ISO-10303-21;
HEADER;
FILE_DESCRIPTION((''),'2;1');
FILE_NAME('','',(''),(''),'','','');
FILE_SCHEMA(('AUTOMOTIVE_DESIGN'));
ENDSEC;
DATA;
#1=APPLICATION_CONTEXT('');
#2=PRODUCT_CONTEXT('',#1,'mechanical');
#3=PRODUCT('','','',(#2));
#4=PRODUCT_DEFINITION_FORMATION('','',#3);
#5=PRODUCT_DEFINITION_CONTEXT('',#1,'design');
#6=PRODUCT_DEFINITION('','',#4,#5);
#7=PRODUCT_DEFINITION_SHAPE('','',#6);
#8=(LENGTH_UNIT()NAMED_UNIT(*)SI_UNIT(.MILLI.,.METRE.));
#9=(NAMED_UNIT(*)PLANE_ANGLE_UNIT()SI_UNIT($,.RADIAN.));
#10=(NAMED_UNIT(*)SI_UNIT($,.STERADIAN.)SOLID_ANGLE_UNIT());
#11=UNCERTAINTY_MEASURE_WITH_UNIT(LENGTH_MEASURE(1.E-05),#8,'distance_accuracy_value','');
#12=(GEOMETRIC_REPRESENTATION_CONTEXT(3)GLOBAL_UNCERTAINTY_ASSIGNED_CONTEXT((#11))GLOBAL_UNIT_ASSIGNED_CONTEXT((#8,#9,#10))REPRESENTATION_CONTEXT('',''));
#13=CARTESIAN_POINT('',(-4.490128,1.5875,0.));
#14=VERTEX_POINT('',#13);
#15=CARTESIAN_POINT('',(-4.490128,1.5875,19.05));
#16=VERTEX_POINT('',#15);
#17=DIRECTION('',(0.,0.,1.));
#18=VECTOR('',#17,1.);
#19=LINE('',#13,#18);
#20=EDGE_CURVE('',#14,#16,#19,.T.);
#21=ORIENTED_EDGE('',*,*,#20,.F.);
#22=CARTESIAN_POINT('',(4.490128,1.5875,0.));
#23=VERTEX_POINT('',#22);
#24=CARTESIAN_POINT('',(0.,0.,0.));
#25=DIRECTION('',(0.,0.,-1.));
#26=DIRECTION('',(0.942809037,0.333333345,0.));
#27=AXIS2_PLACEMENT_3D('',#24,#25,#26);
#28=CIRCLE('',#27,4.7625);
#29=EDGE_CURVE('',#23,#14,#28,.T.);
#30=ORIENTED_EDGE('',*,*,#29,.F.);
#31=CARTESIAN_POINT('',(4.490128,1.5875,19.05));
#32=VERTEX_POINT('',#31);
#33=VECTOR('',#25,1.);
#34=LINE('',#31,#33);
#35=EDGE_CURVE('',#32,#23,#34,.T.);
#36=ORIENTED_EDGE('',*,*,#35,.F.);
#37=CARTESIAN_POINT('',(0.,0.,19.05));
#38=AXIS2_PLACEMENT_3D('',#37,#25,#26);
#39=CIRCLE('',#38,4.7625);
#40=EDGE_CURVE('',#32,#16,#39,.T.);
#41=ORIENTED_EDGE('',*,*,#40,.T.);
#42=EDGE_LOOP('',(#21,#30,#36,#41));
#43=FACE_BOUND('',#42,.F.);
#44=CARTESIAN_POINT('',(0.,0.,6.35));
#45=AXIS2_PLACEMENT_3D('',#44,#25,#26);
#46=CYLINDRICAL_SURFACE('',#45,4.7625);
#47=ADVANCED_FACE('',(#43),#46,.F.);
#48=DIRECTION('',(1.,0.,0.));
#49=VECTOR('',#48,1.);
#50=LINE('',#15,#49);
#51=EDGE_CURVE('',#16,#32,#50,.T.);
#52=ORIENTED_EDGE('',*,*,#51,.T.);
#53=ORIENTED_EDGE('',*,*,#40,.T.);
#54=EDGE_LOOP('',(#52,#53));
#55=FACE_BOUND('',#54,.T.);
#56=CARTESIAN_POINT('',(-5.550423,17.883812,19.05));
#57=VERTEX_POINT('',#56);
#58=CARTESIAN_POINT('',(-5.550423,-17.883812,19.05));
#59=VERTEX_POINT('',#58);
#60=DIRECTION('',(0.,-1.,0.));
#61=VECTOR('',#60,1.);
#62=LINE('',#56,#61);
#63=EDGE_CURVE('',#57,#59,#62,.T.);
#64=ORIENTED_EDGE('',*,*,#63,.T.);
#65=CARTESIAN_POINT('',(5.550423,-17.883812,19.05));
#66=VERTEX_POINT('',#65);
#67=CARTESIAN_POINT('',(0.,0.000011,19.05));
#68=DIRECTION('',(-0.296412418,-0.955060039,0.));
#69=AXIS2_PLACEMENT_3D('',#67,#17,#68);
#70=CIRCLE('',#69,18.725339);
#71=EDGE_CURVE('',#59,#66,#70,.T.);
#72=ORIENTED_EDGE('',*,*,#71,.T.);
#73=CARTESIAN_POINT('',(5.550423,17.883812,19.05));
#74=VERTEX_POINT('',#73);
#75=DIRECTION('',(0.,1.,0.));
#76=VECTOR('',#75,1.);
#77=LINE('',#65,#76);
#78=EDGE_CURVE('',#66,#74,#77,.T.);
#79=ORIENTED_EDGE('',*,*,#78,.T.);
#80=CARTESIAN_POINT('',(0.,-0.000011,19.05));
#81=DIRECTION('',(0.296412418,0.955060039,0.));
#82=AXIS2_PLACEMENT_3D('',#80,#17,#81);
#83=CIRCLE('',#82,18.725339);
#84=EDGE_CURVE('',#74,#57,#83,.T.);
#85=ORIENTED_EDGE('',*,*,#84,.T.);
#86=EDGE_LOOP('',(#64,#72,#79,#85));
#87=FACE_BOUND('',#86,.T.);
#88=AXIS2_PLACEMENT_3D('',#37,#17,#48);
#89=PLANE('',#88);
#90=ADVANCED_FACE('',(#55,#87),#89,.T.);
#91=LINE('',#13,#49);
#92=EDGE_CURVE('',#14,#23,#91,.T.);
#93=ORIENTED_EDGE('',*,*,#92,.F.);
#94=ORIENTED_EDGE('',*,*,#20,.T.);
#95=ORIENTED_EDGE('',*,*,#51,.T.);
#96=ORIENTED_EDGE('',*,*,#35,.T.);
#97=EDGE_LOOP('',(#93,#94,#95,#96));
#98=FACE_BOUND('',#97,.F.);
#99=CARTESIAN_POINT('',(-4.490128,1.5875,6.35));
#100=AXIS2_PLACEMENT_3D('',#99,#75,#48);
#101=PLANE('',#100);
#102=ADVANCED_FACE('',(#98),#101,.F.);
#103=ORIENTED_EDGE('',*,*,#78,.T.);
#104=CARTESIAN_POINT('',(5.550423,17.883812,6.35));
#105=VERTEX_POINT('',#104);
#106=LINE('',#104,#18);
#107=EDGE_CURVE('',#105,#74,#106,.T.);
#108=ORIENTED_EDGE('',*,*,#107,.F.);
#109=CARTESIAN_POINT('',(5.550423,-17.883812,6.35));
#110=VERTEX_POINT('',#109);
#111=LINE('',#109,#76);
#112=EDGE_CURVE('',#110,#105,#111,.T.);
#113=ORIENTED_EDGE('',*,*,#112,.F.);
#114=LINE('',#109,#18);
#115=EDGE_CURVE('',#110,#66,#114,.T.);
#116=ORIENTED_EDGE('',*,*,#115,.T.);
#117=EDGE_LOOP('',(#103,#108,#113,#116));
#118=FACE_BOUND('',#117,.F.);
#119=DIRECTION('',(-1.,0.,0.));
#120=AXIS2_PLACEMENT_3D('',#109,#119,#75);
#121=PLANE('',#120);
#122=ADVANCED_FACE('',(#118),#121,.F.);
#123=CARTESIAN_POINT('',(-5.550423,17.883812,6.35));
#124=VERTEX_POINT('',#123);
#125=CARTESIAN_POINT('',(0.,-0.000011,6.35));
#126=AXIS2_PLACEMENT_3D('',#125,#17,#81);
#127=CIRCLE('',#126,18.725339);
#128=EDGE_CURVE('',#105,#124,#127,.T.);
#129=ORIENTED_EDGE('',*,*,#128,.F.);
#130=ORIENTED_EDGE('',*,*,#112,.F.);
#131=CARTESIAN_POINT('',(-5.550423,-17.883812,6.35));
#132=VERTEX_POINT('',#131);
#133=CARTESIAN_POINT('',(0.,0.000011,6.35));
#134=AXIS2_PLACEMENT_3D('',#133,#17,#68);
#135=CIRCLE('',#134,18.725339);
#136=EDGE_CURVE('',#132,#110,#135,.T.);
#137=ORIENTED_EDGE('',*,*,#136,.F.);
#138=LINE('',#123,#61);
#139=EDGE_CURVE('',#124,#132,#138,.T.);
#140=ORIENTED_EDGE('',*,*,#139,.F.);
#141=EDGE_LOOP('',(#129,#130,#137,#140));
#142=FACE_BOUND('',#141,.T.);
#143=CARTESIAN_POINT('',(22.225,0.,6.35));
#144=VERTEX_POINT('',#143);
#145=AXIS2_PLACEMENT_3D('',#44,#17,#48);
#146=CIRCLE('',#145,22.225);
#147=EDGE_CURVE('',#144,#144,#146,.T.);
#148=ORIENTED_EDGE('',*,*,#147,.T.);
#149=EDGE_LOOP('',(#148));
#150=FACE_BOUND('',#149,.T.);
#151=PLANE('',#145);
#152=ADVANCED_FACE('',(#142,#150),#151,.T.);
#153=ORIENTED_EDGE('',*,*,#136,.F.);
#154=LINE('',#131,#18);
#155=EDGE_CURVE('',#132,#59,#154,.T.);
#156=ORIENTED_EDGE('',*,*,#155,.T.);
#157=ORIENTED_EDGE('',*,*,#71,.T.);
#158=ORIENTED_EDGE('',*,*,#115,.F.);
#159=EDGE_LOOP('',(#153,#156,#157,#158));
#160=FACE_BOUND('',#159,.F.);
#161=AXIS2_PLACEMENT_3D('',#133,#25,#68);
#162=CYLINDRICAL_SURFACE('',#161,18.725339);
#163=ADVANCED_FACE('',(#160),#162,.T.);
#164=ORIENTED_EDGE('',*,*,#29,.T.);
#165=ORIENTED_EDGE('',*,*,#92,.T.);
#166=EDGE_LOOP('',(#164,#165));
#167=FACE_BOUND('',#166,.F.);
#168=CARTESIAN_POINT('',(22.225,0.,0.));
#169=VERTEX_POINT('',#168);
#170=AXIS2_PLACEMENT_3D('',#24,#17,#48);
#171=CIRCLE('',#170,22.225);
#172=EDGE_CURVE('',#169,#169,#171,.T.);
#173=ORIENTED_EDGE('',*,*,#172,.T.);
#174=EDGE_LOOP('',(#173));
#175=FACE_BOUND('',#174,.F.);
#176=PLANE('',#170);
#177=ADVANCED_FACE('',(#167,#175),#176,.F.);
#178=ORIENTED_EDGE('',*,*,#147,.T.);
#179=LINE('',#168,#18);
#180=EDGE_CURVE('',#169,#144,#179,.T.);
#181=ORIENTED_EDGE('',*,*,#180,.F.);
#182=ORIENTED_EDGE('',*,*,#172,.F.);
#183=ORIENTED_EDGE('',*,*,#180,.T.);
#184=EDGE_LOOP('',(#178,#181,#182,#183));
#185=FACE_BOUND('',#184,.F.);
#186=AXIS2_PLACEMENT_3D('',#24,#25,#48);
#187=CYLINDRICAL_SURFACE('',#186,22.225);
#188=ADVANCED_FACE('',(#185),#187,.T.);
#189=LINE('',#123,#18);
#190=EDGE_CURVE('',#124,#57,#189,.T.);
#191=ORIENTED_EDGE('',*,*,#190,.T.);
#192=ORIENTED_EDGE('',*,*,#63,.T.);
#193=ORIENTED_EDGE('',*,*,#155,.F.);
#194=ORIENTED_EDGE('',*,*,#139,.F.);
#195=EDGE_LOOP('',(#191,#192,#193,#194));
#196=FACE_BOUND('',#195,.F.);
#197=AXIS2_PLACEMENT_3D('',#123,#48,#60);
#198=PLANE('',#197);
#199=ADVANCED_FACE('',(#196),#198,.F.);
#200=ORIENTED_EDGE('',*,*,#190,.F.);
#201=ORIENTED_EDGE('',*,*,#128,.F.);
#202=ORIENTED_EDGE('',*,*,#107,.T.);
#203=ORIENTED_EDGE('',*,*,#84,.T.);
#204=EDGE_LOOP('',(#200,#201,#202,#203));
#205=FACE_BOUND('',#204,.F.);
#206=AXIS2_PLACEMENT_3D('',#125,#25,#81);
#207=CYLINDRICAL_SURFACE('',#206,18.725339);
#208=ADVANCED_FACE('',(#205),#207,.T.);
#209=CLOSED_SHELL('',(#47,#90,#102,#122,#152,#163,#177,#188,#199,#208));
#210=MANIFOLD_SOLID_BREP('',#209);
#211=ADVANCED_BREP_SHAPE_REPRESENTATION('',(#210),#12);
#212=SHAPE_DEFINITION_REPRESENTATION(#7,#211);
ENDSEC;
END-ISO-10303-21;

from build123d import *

# Parameters (mm, degrees)
F0_R     = 22.225
F1_DEPTH = 6.35
F3_DEPTH = 12.7


with BuildPart() as f1:
    # F0 (on Top) → F1 (new body)
    with BuildSketch(Plane.XY):
        Circle(F0_R)
        with BuildLine():
            ThreePointArc((4.490128, 1.5875), (0, -4.7625), (-4.490128, 1.5875))
            Line((-4.490128, 1.5875), (4.490128, 1.5875))
        make_face(mode=Mode.SUBTRACT)
    extrude(amount=F1_DEPTH)

    # F2 (on face) → F3 (join)
    with BuildSketch(Plane.XY.offset(6.35)):
        with BuildLine():
            Line((-5.550423, 17.883812), (-5.550423, -17.883812))
            ThreePointArc((-5.550423, -17.883812), (0, -18.725328), (5.550423, -17.883812))
            Line((5.550423, -17.883812), (5.550423, 17.883812))
            ThreePointArc((5.550423, 17.883812), (0, 18.725328), (-5.550423, 17.883812))
        make_face()
        with BuildLine():
            Line((-4.490128, 1.5875), (4.490128, 1.5875))
            ThreePointArc((4.490128, 1.5875), (0, -4.7625), (-4.490128, 1.5875))
        make_face(mode=Mode.SUBTRACT)
    extrude(amount=F3_DEPTH)


solid = f1.part
